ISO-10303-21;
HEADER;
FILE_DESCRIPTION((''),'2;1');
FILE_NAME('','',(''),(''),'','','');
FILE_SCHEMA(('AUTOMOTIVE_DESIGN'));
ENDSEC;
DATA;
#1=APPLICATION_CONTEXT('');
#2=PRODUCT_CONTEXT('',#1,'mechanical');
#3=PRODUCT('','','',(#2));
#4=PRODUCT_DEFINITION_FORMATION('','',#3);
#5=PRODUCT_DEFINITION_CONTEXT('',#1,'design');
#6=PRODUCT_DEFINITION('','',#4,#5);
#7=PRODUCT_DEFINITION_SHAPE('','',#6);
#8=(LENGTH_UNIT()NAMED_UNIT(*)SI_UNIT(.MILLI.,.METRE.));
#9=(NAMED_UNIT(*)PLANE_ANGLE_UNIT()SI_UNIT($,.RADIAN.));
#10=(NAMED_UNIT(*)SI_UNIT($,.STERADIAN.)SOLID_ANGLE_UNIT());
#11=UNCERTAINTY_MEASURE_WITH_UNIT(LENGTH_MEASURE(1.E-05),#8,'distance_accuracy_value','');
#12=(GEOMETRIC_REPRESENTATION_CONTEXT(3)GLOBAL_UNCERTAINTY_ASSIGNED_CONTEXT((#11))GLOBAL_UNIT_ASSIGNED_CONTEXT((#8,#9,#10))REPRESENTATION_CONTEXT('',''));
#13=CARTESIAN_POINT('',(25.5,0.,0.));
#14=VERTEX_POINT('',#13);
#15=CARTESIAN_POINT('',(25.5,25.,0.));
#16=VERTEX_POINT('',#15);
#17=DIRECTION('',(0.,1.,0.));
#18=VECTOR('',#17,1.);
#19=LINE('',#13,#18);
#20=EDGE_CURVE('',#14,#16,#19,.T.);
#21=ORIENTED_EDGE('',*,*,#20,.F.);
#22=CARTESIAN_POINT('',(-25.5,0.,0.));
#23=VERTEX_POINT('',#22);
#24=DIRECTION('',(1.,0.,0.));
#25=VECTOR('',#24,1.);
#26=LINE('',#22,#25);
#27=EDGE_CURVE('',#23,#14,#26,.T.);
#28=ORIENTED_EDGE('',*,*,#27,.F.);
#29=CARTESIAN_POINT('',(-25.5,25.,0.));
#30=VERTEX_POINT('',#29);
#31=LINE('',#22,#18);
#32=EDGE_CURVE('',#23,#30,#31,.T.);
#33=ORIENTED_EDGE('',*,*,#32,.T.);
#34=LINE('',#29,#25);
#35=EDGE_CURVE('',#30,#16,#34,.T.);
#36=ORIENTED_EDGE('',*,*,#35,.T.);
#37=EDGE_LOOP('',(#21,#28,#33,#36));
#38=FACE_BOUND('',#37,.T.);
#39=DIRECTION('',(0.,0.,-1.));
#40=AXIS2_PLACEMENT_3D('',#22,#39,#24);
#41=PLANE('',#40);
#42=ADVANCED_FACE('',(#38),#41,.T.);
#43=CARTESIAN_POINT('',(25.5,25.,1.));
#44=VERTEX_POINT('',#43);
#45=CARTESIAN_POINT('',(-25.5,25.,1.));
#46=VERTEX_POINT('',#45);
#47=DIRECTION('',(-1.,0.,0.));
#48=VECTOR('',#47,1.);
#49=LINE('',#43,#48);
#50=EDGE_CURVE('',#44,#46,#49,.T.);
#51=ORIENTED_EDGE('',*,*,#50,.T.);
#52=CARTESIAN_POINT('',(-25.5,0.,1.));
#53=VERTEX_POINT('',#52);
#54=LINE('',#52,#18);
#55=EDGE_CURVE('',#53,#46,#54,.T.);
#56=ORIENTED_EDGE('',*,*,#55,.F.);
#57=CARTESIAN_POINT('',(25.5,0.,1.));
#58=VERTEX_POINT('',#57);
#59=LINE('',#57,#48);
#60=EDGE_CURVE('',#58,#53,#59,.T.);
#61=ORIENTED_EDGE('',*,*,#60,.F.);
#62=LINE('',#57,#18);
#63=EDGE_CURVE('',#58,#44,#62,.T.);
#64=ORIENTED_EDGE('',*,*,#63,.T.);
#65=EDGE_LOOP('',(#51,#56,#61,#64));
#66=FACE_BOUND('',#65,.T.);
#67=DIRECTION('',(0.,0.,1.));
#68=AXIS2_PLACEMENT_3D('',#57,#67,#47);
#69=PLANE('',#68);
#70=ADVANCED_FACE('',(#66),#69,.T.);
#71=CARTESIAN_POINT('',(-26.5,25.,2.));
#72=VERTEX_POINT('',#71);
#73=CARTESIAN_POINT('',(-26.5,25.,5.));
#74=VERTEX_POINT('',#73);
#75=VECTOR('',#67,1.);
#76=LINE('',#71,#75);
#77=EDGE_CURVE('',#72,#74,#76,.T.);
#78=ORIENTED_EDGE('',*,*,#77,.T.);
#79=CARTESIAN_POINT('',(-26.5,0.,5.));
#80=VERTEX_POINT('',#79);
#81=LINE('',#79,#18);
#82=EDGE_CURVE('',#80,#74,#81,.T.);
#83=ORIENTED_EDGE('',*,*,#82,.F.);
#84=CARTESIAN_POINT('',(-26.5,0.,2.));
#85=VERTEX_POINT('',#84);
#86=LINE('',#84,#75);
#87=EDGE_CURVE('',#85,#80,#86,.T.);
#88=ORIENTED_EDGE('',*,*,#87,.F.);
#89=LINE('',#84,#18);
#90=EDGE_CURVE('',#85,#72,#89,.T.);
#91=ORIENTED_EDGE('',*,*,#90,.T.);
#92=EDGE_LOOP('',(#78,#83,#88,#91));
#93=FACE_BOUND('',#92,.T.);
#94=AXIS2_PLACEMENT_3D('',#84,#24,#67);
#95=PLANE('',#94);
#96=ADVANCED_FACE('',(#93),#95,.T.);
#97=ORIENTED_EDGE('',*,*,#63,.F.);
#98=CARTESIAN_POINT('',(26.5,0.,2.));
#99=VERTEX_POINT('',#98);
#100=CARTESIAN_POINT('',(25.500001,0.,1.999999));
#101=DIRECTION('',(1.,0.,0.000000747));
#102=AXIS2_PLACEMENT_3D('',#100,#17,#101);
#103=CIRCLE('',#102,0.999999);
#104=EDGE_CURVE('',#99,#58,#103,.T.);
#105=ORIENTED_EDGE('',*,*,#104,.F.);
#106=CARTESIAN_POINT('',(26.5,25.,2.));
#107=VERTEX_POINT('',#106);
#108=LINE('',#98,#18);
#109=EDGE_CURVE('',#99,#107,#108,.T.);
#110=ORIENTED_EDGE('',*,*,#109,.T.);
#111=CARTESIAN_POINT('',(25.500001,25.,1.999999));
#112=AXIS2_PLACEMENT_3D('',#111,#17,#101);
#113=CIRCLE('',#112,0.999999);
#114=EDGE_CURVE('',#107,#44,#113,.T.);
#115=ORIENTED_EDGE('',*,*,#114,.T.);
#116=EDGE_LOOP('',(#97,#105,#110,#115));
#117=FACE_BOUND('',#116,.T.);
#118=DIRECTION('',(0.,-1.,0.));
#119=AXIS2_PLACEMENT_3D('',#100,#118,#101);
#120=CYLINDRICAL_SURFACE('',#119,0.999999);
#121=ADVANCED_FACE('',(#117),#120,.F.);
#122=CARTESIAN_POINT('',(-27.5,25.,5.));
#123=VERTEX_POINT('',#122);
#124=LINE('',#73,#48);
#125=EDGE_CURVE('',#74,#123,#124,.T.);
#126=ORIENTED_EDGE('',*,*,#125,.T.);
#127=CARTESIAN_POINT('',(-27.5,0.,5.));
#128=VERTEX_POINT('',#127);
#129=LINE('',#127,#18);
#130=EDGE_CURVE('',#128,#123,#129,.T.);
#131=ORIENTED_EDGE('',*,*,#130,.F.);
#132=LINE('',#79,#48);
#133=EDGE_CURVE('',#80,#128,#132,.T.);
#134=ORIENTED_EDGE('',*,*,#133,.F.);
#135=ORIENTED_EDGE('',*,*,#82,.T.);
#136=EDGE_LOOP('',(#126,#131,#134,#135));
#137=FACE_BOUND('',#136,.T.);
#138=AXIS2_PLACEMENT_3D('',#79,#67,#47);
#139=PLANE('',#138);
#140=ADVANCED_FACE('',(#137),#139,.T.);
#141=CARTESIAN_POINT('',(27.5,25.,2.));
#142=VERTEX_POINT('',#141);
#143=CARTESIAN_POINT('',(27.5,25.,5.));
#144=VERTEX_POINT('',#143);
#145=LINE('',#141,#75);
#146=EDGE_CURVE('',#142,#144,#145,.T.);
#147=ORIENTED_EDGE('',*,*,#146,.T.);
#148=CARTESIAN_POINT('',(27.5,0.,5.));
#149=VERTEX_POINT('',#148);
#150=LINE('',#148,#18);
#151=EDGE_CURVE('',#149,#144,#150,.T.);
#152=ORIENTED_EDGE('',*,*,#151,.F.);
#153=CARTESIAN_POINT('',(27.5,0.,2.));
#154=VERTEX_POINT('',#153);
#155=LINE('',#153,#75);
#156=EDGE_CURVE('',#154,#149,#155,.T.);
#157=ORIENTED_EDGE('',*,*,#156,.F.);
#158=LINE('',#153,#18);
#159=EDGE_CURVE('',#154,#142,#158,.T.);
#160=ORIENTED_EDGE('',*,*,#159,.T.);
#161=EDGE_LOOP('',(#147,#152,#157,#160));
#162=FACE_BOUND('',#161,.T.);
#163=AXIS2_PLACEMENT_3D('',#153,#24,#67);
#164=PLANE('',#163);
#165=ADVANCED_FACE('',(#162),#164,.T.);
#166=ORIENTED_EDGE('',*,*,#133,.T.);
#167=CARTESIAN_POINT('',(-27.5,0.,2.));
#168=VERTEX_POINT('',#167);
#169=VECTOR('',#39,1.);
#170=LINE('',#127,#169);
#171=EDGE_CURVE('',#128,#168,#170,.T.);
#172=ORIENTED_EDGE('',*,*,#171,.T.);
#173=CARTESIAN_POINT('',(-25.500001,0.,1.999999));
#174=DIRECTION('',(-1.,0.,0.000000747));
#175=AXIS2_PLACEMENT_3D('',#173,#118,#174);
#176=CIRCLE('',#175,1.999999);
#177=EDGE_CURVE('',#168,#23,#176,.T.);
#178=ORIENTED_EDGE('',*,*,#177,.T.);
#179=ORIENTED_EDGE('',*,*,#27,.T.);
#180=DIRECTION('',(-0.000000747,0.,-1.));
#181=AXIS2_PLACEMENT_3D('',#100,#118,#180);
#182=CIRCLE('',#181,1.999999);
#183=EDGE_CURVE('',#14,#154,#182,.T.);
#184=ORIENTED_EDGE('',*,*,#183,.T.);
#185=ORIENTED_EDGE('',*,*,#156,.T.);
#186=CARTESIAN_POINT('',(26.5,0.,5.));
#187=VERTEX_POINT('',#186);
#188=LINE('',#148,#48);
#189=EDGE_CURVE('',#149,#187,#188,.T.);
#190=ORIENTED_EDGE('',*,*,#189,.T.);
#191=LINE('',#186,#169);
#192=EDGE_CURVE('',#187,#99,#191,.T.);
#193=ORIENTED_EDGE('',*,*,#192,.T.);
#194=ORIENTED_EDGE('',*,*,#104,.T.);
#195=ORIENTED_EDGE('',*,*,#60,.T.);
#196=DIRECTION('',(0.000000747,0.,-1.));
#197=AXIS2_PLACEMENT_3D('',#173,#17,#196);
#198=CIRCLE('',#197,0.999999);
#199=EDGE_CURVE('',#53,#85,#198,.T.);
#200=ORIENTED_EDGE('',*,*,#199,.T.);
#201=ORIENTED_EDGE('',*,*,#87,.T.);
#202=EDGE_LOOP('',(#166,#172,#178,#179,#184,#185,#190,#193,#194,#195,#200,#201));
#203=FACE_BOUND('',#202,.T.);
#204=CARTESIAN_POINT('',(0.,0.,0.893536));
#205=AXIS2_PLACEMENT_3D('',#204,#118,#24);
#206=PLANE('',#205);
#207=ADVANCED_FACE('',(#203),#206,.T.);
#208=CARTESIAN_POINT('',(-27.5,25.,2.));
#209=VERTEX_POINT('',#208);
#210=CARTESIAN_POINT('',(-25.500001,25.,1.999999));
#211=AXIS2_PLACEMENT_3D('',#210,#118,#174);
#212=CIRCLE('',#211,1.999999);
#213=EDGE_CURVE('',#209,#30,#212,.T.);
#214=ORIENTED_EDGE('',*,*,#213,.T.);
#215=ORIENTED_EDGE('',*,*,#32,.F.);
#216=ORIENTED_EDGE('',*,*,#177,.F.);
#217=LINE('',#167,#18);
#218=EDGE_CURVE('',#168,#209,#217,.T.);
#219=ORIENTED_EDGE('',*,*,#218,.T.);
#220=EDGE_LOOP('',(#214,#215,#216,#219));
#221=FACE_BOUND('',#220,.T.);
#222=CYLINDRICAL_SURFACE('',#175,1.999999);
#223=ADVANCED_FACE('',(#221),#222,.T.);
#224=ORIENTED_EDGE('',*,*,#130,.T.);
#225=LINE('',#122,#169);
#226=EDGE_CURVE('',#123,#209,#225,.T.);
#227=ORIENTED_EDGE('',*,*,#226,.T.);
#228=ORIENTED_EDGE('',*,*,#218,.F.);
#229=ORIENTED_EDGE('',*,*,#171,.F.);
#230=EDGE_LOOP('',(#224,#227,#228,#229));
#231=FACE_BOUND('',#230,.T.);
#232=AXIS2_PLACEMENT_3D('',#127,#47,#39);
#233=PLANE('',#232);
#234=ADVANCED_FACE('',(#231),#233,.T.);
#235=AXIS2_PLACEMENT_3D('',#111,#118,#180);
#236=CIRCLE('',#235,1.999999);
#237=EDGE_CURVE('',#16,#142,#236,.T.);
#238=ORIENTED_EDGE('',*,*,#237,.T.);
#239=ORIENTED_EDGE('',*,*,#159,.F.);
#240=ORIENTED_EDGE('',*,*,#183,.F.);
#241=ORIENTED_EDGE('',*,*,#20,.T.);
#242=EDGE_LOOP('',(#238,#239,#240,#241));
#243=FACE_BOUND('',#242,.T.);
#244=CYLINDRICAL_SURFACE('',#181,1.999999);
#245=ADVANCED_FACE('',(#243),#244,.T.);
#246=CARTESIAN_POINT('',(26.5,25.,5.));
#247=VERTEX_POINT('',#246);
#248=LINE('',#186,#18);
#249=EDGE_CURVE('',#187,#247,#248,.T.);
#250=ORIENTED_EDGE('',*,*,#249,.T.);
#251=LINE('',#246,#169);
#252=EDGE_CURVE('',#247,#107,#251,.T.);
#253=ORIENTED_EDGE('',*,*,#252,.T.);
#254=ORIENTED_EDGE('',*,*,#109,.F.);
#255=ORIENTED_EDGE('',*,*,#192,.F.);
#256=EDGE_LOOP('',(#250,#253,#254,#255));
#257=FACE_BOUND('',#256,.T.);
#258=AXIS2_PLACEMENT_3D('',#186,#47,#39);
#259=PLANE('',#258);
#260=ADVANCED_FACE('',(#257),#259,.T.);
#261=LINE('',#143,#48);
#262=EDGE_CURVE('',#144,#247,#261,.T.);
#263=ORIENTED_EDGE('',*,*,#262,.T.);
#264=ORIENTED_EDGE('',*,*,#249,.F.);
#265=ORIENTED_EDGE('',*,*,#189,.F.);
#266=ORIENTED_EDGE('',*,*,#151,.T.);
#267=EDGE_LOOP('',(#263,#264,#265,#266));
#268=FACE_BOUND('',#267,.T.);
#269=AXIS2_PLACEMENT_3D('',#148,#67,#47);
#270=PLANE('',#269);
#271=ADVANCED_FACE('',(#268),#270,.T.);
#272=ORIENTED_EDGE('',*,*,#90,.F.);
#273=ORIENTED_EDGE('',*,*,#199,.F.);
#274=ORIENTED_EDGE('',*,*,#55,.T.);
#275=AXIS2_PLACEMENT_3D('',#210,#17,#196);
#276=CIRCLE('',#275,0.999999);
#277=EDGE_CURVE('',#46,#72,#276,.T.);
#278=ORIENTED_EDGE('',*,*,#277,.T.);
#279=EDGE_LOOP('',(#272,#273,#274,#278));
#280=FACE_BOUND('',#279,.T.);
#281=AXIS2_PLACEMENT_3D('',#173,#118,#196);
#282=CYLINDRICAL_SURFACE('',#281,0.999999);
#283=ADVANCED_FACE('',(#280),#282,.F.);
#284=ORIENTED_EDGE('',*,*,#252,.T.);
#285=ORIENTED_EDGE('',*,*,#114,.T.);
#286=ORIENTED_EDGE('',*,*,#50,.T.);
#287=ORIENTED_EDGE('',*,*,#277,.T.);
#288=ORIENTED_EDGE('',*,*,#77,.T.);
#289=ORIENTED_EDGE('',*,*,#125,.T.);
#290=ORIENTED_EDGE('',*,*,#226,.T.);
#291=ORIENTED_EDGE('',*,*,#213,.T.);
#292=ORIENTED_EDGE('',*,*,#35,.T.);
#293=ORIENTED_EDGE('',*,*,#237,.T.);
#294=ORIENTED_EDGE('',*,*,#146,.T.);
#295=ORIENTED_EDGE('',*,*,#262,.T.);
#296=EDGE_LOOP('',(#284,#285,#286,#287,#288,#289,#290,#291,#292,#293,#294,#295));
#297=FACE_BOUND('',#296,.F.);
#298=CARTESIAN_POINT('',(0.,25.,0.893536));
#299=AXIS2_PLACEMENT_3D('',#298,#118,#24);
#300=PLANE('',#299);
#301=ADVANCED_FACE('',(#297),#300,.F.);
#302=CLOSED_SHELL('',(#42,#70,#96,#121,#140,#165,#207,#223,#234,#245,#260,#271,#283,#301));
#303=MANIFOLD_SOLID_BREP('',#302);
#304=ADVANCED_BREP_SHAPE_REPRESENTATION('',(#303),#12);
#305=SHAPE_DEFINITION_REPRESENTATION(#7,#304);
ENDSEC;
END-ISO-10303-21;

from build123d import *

# Parameters (mm, degrees)
F1_DEPTH = 25


with BuildPart() as f1:
    # F0 (on Front) → F1 (new body)
    with BuildSketch(Plane.XZ):
        with BuildLine():
            Line((-26.5, 5), (-27.5, 5))
            Line((-27.5, 5), (-27.5, 2))
            ThreePointArc((-27.5, 2), (-26.914214, 0.585786), (-25.5, 0))
            Line((-25.5, 0), (25.5, 0))
            ThreePointArc((25.5, 0), (26.914214, 0.585786), (27.5, 2))
            Line((27.5, 2), (27.5, 5))
            Line((27.5, 5), (26.5, 5))
            Line((26.5, 5), (26.5, 2))
            ThreePointArc((26.5, 2), (26.207107, 1.292893), (25.5, 1))
            Line((25.5, 1), (-25.5, 1))
            ThreePointArc((-25.5, 1), (-26.207107, 1.292893), (-26.5, 2))
            Line((-26.5, 2), (-26.5, 5))
        make_face()
    extrude(amount=-F1_DEPTH)


solid = f1.part
